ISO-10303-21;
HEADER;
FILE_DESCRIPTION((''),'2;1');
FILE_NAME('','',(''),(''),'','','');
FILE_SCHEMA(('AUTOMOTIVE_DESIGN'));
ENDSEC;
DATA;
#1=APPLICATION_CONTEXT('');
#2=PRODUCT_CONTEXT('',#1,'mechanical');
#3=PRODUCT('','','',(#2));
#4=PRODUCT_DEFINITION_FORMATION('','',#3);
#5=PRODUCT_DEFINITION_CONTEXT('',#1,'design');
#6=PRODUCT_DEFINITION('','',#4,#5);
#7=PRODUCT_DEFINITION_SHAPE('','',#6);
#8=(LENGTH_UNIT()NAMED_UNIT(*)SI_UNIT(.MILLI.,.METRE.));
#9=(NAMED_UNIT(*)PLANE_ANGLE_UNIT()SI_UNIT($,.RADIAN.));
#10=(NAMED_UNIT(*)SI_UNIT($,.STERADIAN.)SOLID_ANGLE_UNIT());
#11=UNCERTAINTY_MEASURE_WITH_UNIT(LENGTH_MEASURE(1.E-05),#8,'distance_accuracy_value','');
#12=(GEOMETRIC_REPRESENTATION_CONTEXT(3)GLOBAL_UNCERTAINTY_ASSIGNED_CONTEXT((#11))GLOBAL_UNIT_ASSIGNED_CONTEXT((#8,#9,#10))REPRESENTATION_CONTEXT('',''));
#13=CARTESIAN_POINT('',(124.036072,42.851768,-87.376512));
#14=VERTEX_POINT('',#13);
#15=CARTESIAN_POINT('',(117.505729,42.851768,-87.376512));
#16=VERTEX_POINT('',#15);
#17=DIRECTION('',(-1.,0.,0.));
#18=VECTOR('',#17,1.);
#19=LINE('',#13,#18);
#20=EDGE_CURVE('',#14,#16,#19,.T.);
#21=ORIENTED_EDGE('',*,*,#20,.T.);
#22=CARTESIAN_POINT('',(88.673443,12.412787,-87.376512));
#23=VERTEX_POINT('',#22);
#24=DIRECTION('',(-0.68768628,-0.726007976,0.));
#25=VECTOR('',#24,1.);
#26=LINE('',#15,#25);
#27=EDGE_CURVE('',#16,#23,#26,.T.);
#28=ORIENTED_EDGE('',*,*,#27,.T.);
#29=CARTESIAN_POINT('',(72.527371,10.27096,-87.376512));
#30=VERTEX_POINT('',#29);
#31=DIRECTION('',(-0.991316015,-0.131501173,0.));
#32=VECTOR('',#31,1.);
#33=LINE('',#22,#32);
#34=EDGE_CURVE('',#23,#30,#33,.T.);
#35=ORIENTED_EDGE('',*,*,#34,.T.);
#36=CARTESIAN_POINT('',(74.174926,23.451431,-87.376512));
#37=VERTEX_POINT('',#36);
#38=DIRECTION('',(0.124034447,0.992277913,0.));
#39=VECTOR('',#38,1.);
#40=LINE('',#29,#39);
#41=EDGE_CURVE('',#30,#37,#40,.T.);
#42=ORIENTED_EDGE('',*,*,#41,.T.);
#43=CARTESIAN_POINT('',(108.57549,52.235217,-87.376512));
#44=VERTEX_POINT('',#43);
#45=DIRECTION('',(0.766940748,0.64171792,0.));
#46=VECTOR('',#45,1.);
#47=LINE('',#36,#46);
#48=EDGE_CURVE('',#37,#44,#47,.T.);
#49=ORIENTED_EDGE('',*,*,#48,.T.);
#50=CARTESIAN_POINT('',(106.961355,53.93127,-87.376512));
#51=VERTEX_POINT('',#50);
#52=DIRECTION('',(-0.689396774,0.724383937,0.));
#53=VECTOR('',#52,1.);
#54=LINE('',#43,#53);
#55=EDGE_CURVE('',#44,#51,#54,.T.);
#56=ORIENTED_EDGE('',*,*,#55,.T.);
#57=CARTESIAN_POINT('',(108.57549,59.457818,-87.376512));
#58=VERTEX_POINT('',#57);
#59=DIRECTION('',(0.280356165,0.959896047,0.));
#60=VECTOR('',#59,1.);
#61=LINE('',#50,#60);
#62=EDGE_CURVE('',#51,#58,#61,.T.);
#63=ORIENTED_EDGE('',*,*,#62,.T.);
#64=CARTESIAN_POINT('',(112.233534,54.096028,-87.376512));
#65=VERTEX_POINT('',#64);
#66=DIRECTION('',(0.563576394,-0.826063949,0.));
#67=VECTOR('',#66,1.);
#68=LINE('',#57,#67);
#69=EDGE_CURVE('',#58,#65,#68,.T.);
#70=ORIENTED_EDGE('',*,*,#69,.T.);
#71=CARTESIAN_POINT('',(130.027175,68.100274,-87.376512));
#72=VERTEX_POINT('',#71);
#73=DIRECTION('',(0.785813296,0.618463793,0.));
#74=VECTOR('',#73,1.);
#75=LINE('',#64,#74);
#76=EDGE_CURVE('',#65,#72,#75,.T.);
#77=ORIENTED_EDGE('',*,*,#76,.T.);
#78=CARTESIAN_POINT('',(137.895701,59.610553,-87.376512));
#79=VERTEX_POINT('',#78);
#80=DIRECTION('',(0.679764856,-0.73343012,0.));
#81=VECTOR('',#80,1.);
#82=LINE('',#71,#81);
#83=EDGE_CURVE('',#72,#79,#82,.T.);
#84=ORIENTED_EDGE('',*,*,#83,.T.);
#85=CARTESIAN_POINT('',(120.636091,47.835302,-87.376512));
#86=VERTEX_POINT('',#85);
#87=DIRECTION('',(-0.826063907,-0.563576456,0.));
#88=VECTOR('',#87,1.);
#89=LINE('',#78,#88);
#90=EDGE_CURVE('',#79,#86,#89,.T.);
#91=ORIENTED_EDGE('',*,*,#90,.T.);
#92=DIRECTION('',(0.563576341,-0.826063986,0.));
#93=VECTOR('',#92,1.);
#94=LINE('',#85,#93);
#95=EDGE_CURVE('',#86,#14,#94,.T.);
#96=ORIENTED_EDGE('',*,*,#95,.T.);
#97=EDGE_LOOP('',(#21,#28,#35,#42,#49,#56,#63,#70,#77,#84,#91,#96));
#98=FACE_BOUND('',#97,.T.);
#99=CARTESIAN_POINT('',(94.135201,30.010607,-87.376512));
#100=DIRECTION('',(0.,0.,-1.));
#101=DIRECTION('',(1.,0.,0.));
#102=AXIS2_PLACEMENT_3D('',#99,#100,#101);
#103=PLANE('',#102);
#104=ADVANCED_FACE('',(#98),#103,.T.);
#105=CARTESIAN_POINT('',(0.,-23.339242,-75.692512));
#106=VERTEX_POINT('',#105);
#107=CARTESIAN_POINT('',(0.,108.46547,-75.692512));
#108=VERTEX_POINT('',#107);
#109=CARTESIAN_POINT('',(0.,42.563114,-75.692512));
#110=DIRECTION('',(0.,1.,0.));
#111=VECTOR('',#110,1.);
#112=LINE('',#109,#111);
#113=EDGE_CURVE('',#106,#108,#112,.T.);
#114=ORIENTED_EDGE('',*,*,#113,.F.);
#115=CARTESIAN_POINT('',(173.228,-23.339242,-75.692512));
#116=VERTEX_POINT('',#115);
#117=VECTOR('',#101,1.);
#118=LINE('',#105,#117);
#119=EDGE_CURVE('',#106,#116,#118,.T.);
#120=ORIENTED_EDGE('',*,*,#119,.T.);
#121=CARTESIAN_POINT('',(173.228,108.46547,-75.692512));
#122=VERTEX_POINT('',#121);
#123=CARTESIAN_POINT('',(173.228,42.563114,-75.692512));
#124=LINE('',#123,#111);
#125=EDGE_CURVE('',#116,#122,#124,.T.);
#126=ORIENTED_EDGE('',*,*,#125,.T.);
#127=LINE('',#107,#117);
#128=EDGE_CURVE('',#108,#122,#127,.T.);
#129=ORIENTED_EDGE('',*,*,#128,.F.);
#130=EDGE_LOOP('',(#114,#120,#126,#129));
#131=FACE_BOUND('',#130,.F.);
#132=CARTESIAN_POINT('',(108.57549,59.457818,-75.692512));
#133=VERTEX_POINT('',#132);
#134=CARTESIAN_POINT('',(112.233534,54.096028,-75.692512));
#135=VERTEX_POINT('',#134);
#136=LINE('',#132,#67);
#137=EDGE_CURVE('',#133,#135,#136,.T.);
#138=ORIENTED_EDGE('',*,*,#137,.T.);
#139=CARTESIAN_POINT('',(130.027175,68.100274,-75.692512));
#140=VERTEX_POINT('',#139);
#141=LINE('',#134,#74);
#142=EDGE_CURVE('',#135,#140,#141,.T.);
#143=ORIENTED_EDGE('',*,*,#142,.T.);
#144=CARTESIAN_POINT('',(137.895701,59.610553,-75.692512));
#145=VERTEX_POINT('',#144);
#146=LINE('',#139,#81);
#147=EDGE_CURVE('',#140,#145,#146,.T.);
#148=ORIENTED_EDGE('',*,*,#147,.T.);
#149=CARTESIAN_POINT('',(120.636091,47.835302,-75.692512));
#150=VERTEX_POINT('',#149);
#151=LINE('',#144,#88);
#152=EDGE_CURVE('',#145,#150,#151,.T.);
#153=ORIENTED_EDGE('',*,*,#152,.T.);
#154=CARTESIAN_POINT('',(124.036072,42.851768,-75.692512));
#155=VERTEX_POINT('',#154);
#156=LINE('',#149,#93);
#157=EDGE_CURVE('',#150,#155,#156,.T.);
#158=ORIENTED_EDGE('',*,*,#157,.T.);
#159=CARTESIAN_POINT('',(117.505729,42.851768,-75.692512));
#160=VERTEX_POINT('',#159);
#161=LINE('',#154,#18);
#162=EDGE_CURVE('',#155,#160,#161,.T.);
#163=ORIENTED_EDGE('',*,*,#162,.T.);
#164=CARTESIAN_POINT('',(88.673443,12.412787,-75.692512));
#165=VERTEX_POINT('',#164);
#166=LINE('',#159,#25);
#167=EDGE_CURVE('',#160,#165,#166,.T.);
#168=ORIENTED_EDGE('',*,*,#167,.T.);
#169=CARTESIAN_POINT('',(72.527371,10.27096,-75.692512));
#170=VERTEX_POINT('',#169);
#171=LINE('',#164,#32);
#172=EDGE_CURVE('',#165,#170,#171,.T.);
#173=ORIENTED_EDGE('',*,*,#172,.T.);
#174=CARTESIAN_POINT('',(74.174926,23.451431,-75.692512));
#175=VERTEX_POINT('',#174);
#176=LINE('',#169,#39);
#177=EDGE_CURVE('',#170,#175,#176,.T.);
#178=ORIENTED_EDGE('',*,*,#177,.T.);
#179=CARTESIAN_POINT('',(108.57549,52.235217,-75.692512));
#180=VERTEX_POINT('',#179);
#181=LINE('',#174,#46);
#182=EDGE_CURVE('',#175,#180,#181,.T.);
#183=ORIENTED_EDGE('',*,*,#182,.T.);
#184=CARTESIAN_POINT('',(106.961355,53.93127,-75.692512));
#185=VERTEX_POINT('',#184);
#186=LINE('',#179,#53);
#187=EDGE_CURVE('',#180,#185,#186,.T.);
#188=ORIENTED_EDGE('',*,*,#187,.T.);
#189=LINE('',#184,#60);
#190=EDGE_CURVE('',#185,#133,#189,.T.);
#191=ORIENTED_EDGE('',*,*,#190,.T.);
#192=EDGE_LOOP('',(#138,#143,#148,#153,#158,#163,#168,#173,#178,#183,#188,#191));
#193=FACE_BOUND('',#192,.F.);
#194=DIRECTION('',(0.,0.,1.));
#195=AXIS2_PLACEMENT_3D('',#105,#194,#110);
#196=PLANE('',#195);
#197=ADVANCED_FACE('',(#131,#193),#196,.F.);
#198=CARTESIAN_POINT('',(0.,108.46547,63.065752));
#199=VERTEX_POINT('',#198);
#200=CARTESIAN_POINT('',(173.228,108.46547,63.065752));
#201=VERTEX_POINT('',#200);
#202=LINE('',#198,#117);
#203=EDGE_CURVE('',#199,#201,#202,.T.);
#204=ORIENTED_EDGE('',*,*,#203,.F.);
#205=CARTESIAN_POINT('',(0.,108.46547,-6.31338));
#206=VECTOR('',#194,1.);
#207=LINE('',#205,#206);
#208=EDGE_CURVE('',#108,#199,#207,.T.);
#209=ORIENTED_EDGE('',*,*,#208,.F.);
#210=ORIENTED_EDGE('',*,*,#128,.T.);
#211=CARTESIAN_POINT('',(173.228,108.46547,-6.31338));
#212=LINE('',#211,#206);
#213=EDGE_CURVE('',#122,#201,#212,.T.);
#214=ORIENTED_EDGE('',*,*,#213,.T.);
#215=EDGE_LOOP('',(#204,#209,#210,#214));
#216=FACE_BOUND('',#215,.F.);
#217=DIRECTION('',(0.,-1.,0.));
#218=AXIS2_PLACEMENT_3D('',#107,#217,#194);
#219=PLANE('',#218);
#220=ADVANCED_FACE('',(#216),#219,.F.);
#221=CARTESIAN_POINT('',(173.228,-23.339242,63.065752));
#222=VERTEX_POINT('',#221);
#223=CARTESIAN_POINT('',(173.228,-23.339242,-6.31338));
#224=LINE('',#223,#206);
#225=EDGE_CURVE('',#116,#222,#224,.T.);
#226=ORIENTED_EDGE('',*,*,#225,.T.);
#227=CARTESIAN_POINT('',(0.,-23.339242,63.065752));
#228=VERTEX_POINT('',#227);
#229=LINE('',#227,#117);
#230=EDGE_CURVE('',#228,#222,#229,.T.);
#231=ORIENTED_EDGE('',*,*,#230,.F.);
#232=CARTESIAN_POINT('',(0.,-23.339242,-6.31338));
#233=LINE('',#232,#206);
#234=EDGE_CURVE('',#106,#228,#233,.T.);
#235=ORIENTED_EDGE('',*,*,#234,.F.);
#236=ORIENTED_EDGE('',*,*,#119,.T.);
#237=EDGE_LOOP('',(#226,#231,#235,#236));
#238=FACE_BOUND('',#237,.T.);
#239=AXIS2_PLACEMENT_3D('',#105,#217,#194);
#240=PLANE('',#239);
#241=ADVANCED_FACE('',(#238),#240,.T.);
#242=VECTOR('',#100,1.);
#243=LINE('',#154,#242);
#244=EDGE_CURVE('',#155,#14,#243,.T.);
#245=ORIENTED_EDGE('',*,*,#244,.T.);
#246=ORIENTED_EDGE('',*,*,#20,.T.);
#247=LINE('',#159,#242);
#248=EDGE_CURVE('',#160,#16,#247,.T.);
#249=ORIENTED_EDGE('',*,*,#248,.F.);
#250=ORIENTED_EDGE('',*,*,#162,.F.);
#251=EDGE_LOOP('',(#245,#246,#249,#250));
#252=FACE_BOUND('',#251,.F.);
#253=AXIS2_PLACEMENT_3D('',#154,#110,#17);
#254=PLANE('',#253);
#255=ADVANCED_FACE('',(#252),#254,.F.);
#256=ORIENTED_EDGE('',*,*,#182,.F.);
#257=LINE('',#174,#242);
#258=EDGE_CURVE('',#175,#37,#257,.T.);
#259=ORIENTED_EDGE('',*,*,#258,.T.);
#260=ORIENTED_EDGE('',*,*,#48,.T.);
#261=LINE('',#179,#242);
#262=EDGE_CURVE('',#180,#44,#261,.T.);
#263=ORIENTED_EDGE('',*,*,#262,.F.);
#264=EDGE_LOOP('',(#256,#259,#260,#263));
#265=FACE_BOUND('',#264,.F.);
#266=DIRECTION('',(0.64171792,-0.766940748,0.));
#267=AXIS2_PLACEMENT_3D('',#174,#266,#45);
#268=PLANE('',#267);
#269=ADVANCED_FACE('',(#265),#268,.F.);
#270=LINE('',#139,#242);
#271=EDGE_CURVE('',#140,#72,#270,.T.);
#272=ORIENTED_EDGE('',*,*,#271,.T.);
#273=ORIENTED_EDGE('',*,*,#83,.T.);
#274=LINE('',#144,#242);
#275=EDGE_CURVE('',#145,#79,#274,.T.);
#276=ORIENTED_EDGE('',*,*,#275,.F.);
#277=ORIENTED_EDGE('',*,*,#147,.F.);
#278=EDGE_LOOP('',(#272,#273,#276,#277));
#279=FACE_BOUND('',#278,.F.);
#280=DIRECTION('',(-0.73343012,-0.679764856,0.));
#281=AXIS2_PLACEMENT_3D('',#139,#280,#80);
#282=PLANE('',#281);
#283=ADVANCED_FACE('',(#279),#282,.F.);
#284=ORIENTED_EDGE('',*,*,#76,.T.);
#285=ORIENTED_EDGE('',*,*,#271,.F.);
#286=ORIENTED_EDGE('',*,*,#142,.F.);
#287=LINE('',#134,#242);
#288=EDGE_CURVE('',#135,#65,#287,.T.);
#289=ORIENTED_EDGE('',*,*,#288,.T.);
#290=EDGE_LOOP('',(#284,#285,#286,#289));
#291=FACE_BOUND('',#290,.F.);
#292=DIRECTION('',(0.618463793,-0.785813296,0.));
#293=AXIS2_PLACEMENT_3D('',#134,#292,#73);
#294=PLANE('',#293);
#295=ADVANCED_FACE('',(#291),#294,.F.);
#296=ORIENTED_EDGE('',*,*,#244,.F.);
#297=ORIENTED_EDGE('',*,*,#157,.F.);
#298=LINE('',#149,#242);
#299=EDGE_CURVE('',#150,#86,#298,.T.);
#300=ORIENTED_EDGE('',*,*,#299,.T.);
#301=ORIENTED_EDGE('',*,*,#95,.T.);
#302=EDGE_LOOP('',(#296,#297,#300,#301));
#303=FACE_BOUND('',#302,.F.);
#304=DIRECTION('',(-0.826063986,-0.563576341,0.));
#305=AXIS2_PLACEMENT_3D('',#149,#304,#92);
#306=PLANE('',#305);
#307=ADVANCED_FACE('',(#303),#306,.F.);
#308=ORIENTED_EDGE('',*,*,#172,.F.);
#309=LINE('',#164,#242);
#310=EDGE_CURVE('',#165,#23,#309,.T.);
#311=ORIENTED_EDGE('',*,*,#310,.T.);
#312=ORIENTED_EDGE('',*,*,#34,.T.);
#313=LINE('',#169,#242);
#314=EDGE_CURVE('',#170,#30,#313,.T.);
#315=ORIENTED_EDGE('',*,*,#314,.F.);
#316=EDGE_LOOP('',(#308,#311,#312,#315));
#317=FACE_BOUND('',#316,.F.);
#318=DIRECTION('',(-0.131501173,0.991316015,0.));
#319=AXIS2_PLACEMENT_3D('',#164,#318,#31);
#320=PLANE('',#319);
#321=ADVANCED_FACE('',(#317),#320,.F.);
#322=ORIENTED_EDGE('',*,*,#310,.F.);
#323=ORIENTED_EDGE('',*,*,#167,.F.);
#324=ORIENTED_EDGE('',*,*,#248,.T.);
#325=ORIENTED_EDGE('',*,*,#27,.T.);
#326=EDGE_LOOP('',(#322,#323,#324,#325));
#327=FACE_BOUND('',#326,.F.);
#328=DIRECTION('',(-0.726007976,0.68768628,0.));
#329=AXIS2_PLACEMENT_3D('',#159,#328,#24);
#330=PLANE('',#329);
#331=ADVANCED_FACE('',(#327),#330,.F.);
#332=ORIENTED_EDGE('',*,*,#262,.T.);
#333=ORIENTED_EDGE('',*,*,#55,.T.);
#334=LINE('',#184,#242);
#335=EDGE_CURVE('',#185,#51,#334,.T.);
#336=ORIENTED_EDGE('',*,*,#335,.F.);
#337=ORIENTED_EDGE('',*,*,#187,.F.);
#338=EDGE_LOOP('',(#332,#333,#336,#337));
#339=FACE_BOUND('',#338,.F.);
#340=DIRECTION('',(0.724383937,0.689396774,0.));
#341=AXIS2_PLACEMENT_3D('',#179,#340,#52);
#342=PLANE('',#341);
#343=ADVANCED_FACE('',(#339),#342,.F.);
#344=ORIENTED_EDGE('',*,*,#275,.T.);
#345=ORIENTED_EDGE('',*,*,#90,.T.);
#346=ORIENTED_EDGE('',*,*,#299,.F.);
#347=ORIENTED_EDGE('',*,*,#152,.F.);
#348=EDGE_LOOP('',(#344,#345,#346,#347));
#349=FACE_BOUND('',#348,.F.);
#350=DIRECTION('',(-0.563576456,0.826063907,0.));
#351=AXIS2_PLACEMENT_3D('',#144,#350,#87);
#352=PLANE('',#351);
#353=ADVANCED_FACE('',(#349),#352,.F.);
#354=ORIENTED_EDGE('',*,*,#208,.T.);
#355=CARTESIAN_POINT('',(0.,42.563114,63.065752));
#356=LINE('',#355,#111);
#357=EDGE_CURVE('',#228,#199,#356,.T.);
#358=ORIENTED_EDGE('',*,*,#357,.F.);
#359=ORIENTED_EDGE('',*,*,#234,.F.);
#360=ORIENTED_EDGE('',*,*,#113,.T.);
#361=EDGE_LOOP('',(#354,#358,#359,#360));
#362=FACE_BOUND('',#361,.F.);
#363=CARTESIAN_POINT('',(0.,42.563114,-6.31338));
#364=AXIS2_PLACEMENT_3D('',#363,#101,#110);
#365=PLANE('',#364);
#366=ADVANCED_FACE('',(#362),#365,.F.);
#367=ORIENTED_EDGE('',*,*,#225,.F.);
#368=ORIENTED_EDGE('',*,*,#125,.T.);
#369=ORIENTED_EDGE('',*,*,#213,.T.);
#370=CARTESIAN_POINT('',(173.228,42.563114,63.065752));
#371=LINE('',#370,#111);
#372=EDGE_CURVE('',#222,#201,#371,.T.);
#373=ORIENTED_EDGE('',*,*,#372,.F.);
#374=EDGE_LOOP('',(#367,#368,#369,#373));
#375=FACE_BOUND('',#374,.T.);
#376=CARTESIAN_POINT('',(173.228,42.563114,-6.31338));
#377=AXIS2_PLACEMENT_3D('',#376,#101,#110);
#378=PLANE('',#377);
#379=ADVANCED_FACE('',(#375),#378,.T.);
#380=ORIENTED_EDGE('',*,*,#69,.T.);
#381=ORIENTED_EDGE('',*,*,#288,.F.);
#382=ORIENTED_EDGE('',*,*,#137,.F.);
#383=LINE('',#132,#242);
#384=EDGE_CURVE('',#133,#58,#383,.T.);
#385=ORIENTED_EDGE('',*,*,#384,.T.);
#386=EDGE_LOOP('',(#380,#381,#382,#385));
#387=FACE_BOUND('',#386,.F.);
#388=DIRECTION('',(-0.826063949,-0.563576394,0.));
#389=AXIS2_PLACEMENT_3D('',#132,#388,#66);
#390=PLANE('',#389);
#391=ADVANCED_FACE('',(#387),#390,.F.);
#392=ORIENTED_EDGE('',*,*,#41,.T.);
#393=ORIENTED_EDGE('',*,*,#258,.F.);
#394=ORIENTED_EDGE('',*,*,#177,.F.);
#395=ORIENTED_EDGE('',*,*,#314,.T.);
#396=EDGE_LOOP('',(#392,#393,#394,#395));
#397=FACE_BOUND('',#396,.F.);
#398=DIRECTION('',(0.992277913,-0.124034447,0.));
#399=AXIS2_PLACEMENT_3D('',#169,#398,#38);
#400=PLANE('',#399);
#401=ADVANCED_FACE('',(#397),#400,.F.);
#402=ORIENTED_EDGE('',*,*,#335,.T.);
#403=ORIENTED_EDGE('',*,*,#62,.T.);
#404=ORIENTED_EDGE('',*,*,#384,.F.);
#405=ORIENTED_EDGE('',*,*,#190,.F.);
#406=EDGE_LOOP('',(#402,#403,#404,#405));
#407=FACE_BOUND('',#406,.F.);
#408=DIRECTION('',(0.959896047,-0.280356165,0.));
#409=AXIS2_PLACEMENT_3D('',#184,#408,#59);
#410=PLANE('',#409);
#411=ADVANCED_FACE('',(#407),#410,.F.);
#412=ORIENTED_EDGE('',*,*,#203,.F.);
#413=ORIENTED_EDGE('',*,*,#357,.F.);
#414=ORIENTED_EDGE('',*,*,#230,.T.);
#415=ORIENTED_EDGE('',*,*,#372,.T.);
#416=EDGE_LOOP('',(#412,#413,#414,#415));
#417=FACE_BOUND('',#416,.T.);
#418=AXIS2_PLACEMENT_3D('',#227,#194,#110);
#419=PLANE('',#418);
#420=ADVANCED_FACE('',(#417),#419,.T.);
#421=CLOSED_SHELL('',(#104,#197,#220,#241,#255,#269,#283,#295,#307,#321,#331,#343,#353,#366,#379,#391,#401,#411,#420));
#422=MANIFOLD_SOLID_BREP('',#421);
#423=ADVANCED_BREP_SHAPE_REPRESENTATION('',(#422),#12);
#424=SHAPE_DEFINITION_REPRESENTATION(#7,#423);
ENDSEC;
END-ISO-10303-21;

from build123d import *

# Parameters (mm, degrees)
F0_W     = 131.804712
F0_H     = 138.758264
F1_DEPTH = 173.228
F3_DEPTH = 11.684


with BuildPart() as f1:
    # F0 (on Right) → F1 (new body)
    with BuildSketch(Plane.YZ):
        with Locations((42.563114, -6.31338)):
            Rectangle(F0_W, F0_H)
    extrude(amount=F1_DEPTH)

    # F2 (on face) → F3 (join)
    with BuildSketch(Plane(origin=(0, 0, -75.692512), x_dir=(1, 0, 0), z_dir=(0, 0, -1))):
        Polygon((108.57549, -52.235217), (117.505729, -42.851768), (88.673443, -12.412787), (72.527371, -10.27096), (74.174926, -23.451431), align=None)
        Polygon((130.027175, -68.100274), (137.895701, -59.610553), (120.636091, -47.835302), (124.036072, -42.851768), (117.505729, -42.851768), (108.57549, -52.235217), (106.961355, -53.93127), (108.57549, -59.457818), (112.233534, -54.096028), align=None)
    extrude(amount=F3_DEPTH)


solid = f1.part
